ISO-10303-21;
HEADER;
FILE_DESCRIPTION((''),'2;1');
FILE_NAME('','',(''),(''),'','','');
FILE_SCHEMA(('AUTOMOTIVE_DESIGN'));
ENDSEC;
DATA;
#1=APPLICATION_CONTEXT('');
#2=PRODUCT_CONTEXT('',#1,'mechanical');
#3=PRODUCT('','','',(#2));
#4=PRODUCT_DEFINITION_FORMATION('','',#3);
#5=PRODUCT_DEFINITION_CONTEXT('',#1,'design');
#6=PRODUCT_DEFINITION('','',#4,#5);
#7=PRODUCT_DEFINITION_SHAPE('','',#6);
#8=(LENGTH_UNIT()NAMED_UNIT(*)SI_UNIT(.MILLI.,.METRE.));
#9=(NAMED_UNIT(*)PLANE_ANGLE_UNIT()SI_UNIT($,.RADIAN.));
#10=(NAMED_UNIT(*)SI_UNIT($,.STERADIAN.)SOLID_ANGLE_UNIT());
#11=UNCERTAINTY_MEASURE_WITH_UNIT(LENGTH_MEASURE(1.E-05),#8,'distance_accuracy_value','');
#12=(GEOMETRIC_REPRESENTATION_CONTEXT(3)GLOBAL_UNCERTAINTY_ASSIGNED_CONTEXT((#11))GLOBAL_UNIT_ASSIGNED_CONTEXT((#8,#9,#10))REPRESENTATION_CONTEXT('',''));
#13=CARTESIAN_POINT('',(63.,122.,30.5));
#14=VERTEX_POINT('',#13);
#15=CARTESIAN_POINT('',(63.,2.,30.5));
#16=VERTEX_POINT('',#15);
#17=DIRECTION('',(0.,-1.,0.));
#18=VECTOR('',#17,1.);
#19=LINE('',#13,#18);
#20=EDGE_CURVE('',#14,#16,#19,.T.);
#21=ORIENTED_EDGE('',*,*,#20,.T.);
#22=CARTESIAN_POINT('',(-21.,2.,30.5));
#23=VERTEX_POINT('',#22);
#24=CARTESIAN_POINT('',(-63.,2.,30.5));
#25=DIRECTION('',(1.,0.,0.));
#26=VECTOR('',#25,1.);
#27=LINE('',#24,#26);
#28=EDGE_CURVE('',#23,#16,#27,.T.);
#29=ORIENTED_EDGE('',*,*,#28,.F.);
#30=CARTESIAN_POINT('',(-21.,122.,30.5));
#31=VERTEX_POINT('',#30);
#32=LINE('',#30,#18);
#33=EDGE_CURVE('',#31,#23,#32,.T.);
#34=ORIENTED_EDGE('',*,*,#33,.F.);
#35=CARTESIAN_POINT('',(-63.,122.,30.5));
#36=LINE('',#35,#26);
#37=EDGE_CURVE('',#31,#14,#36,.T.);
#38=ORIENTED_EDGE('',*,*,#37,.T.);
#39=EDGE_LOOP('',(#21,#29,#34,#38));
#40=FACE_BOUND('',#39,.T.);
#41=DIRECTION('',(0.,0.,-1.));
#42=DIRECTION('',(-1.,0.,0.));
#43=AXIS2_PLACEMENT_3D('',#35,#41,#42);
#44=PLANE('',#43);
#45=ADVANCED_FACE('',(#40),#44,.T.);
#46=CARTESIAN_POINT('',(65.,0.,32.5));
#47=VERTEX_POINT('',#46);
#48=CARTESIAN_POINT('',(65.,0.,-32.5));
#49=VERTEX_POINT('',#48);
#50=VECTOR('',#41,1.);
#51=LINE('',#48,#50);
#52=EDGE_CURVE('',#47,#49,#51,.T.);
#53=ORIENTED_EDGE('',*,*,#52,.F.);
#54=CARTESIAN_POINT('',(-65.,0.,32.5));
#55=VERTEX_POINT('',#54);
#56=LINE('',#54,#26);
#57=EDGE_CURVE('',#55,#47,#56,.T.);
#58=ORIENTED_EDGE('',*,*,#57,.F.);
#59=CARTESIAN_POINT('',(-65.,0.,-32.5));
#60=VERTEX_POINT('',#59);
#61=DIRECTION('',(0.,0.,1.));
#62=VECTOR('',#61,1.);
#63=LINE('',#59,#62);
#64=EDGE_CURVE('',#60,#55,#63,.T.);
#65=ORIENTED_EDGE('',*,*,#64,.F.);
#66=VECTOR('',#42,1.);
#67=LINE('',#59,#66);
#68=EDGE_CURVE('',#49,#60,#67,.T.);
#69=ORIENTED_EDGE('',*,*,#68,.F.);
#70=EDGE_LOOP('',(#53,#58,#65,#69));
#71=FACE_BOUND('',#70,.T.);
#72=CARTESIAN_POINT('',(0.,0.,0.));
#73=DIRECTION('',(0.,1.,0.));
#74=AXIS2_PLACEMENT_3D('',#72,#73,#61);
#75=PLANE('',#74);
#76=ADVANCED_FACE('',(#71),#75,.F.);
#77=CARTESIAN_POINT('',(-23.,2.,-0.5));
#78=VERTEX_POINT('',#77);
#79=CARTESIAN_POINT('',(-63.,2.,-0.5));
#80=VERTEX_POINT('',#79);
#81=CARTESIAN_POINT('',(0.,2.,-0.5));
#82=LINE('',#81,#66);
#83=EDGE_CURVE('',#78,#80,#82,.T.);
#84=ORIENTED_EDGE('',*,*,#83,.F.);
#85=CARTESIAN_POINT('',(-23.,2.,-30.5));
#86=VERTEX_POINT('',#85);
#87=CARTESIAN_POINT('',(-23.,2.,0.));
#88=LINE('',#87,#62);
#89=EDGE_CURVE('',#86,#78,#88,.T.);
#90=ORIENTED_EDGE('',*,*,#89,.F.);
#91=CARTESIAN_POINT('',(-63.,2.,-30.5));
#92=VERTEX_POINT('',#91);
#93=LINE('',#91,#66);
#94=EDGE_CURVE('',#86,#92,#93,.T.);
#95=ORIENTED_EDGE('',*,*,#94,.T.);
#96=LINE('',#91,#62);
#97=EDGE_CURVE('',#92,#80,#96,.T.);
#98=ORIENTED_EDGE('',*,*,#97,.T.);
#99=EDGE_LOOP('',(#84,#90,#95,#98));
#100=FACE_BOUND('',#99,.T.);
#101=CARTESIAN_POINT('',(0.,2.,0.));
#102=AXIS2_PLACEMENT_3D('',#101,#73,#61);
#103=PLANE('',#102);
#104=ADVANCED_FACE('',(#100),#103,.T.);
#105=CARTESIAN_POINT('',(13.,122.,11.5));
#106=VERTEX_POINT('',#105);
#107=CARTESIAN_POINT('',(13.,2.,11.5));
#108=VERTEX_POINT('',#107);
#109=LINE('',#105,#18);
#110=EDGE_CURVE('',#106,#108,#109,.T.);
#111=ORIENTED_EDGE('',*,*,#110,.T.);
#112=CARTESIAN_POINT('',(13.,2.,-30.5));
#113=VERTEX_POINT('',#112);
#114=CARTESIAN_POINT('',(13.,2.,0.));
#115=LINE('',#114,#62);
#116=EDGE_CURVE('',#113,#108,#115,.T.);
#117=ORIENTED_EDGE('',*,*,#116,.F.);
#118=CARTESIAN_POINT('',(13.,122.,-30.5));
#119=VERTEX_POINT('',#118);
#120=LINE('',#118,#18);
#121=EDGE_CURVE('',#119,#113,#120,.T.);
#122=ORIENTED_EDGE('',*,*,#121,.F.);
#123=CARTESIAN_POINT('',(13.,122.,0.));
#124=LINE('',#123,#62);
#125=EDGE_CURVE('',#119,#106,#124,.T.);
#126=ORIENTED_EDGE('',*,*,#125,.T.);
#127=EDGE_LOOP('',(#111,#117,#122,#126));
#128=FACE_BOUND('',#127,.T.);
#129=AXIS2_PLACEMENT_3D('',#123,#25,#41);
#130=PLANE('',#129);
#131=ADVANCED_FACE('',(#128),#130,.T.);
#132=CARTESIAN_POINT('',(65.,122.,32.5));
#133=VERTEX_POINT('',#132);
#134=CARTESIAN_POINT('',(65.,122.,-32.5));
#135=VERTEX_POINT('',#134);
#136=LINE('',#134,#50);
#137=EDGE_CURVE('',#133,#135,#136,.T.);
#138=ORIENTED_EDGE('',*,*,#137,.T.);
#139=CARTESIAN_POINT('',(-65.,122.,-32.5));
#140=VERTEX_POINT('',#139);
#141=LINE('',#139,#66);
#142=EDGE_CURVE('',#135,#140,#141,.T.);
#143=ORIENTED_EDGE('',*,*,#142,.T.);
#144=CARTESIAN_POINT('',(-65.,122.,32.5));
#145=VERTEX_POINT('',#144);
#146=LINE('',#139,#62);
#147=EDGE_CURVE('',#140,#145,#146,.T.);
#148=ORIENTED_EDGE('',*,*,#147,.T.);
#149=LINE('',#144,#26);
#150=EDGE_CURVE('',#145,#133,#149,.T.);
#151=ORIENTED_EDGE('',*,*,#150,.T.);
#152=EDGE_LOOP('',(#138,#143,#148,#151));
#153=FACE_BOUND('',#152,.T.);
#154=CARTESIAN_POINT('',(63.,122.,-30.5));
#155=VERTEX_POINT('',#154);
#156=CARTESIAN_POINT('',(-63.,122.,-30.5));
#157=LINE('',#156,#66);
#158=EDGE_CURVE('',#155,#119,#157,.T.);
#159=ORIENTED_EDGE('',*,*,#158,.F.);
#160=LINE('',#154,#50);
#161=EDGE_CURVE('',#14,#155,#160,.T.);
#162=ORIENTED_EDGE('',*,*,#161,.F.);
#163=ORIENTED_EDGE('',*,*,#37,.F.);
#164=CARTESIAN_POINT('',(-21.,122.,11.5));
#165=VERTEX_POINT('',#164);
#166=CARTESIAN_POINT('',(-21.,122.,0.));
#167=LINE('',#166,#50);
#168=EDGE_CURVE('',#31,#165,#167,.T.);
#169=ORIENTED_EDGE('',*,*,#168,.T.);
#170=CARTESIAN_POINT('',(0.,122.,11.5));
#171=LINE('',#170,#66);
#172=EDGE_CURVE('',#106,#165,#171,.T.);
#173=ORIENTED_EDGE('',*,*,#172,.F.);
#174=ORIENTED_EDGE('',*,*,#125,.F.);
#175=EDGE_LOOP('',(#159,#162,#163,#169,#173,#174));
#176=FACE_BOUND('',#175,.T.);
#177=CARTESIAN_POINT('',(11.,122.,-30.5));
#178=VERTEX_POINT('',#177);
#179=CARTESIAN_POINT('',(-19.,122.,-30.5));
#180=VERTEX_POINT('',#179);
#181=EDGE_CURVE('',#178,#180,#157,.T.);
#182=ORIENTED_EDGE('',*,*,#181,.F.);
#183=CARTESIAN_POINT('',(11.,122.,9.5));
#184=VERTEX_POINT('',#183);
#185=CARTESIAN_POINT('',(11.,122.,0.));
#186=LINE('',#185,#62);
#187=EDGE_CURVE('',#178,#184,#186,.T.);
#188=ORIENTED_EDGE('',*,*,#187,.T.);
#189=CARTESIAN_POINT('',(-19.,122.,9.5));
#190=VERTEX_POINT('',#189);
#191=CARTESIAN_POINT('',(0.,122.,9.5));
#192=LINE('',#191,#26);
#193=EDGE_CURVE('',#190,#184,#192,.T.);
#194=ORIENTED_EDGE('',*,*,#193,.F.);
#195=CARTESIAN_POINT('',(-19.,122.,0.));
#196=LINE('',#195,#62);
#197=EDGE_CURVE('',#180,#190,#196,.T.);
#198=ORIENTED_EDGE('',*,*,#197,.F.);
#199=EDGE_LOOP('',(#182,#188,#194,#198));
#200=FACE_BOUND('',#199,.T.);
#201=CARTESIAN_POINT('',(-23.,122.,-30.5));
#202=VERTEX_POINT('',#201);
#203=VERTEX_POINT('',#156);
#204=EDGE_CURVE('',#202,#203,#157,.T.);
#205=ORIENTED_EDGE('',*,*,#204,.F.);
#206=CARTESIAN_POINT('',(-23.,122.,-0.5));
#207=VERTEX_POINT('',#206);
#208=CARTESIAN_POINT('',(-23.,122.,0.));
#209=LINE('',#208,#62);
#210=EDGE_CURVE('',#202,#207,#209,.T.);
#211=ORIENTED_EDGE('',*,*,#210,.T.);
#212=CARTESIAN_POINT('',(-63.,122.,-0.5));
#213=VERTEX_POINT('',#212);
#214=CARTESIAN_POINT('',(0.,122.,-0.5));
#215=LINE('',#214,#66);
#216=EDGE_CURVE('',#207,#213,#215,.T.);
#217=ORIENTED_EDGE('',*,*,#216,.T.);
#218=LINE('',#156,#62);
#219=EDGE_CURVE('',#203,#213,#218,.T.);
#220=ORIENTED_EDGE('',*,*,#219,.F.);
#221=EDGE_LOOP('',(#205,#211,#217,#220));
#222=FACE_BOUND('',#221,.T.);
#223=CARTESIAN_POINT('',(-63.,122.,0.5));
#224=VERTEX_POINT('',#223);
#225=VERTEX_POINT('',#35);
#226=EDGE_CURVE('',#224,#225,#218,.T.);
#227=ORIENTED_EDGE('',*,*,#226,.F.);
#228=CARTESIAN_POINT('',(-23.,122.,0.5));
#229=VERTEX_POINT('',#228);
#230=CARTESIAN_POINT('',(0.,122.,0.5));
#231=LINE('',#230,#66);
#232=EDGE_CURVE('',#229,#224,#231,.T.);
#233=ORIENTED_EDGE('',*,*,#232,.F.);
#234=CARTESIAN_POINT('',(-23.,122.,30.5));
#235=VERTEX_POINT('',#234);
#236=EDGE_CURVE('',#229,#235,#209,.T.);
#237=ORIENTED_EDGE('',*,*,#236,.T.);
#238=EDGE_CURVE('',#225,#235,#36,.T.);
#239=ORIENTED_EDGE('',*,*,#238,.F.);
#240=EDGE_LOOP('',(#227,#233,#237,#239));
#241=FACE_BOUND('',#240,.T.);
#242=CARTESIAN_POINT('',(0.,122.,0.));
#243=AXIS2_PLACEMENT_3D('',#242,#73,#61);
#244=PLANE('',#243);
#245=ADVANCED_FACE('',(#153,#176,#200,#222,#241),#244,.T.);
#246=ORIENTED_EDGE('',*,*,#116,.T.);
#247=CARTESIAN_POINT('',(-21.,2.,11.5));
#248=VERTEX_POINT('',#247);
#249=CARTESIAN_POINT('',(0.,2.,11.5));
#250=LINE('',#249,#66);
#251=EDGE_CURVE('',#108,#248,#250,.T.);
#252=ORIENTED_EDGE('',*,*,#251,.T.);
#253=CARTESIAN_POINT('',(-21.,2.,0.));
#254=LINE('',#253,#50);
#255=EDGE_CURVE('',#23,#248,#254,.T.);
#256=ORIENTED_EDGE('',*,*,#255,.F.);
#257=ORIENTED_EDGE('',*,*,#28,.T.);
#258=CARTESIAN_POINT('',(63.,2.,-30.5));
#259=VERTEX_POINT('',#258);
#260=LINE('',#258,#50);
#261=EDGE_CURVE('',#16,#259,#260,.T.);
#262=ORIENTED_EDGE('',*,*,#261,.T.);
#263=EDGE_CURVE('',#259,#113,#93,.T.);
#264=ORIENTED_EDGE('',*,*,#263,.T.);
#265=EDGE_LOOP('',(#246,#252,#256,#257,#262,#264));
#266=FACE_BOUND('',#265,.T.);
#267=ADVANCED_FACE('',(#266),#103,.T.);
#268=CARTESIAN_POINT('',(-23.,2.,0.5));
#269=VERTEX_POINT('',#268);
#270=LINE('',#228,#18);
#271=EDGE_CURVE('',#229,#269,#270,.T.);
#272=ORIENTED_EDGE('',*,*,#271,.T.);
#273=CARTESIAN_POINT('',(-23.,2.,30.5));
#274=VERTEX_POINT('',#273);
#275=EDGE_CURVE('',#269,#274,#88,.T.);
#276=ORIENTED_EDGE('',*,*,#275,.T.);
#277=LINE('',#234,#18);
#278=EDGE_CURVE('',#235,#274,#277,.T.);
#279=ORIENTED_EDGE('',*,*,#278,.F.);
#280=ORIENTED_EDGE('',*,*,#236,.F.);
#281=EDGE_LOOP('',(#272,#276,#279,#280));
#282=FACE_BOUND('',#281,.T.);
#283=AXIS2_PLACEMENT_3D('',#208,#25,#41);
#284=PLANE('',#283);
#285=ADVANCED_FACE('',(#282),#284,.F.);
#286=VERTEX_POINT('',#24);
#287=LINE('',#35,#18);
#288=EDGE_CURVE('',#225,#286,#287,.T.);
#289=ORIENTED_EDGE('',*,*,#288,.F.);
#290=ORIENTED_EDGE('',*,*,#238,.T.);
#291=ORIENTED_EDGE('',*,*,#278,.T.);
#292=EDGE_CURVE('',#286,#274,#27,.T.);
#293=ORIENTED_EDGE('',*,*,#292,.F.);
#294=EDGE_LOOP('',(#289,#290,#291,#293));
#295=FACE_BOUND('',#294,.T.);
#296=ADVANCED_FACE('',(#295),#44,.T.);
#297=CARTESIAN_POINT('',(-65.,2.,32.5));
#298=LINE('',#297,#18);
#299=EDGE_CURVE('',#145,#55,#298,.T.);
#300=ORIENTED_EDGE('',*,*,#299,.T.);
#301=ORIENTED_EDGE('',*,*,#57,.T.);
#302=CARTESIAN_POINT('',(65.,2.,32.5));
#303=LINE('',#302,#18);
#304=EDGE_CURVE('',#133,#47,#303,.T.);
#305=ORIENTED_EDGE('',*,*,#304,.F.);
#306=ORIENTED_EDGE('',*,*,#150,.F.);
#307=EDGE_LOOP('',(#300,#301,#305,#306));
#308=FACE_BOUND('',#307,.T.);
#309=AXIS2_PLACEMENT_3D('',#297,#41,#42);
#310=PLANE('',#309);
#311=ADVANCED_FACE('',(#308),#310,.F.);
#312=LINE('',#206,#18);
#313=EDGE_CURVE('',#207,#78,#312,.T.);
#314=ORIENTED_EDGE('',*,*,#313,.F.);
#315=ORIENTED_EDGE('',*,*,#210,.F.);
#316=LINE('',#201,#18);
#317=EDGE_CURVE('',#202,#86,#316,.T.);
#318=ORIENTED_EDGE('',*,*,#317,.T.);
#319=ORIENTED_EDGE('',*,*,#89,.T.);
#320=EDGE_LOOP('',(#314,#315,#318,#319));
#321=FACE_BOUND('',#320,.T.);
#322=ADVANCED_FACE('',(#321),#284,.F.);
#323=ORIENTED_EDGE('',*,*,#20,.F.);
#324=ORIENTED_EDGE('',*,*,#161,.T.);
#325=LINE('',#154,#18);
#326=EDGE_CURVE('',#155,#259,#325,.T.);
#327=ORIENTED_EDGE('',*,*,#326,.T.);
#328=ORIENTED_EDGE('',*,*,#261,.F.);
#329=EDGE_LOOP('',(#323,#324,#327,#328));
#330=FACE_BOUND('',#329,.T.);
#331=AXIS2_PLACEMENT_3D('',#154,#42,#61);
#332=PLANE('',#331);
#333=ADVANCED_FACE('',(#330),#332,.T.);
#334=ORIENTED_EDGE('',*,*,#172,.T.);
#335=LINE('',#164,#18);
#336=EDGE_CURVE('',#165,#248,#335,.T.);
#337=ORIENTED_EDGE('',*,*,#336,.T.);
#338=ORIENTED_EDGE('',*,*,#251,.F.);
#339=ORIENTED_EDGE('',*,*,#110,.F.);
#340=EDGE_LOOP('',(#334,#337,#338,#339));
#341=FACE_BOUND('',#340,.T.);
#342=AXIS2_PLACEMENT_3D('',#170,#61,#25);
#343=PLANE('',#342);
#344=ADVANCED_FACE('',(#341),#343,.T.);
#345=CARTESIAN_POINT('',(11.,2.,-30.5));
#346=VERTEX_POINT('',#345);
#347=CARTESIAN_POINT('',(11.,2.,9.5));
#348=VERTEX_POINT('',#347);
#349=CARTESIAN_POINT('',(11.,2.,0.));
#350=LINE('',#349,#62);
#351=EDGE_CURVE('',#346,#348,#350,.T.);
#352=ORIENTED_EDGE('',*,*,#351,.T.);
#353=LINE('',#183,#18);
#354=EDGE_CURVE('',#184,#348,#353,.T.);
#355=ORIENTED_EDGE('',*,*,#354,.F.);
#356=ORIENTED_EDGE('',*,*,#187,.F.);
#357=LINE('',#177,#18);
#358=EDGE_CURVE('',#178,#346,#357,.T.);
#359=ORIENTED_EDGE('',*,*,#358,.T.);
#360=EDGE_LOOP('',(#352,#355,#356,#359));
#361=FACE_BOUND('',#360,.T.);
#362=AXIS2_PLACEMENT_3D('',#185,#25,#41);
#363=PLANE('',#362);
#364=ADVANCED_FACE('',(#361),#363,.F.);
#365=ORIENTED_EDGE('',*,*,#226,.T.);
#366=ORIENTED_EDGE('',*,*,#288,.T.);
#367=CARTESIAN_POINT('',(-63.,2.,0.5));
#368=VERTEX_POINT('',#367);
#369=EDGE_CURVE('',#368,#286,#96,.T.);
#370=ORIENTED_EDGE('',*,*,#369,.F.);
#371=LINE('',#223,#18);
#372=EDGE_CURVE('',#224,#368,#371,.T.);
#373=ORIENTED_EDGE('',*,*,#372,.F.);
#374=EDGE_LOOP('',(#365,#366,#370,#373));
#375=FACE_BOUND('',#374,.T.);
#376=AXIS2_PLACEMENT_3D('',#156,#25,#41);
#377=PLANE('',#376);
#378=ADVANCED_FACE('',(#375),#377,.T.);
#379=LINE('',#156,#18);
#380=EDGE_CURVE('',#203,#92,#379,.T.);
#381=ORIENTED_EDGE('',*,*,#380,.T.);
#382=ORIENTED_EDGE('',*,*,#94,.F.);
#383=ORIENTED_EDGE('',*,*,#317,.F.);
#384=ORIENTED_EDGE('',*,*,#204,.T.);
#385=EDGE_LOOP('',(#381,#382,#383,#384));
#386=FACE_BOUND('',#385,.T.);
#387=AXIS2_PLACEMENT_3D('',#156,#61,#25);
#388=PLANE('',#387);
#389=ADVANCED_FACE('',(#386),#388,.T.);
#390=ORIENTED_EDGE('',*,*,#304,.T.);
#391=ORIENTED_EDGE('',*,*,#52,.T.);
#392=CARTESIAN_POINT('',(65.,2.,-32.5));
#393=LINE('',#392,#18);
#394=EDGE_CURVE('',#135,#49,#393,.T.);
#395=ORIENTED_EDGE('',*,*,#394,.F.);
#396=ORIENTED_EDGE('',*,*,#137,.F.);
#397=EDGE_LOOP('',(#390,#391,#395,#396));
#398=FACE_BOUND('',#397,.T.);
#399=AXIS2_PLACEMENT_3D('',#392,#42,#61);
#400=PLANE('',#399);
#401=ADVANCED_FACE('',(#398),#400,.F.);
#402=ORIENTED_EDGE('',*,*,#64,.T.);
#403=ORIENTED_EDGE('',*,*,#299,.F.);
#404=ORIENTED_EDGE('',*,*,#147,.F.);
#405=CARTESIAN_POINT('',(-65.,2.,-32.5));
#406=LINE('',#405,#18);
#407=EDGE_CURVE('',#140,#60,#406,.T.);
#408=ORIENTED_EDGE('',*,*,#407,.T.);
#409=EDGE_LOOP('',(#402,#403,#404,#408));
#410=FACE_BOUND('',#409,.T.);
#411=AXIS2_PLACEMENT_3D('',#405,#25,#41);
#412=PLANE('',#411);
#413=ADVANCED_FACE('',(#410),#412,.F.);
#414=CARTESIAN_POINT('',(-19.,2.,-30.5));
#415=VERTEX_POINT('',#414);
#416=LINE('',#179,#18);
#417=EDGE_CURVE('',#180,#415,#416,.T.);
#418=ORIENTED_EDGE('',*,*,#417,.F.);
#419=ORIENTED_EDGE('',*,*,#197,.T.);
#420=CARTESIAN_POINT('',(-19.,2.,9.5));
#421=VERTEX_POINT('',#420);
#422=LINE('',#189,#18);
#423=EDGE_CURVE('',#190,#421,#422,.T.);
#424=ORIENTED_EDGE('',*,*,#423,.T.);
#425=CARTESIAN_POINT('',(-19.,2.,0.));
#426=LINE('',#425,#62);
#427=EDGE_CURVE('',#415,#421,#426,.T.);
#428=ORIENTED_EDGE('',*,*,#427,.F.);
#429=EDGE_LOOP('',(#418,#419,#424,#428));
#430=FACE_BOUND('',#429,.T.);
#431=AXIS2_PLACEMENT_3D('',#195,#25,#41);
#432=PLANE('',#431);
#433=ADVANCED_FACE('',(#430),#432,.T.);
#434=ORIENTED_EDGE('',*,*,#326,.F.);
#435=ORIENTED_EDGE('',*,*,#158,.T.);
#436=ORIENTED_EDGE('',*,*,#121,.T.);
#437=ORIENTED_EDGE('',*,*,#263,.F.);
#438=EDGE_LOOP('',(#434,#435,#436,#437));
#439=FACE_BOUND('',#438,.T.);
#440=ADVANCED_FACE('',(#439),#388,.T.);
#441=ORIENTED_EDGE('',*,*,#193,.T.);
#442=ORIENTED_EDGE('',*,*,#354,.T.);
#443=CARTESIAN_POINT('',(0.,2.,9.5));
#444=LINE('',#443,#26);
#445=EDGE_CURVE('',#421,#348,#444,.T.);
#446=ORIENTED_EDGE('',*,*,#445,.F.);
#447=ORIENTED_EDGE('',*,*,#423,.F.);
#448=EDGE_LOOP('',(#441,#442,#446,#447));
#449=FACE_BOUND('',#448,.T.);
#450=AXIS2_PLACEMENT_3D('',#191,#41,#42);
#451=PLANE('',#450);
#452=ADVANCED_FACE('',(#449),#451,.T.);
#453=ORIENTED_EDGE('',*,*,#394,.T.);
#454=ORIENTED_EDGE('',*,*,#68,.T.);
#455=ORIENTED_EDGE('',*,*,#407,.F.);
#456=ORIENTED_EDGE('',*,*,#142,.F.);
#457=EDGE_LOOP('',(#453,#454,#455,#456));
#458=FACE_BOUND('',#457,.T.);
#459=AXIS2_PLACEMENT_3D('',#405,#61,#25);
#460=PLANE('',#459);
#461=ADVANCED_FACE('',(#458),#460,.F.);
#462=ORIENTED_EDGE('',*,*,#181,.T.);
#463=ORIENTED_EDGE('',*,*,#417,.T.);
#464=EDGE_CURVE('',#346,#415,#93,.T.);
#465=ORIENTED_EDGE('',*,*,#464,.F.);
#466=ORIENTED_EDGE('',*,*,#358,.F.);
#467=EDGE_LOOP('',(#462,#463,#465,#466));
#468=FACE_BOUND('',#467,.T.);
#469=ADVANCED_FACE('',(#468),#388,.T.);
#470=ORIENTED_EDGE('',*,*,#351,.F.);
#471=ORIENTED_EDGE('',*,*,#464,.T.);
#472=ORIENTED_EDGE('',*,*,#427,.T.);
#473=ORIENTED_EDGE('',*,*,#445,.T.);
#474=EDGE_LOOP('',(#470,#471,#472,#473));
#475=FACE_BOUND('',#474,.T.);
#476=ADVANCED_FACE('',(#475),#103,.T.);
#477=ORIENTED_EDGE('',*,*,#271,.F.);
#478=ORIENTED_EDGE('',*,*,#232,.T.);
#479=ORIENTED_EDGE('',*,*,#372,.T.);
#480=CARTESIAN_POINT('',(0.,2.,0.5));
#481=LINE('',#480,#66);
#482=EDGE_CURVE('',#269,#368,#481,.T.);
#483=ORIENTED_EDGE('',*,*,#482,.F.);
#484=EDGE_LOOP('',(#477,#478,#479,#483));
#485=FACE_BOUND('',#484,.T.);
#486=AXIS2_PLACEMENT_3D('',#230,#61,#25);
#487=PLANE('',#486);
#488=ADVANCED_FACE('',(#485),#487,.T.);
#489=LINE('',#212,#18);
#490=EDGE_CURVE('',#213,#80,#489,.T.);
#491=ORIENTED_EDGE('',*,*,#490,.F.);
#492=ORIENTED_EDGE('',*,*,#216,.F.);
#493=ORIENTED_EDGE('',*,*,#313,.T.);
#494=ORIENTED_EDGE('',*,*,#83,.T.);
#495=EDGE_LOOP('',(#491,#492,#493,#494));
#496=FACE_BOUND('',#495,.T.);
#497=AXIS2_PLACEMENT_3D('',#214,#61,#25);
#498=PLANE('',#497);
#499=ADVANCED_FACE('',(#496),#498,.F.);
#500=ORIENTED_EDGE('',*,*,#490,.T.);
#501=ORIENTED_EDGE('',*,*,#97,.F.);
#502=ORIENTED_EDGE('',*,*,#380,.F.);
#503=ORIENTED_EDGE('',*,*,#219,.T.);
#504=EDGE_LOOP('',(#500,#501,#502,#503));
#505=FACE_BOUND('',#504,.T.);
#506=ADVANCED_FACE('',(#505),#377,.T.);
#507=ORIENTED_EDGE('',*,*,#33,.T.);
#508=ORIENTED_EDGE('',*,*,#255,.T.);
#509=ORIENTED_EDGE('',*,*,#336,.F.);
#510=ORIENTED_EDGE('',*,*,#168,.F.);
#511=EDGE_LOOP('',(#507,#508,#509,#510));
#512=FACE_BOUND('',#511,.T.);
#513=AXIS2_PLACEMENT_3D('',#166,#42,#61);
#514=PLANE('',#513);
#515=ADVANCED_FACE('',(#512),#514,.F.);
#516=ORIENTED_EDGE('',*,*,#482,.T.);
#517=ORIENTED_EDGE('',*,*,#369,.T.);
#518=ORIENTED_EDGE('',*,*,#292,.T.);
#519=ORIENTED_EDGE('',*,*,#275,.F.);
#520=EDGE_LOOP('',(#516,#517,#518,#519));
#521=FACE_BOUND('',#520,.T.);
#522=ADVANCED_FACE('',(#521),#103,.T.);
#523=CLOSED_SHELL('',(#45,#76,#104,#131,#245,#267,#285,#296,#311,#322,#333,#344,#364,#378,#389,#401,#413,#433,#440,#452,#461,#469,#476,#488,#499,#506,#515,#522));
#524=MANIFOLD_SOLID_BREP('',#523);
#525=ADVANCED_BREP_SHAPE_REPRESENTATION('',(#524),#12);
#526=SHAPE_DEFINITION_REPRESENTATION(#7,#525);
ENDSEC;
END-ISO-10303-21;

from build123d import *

# Parameters (mm, degrees)
SKETCH1_W           = 130
SKETCH1_H           = 65
BOSS_EXTRUDE1_DEPTH = 2
SKETCH2_W           = 130
SKETCH2_H           = 65
SKETCH2_W_2         = 126
SKETCH2_H_2         = 61
BOSS_EXTRUDE2_DEPTH = 120
SKETCH4_W           = 40
SKETCH4_H           = 1
SKETCH4_W_2         = 2
SKETCH4_H_2         = 19
SKETCH4_H_3         = 40
BOSS_EXTRUDE3_DEPTH = 120


with BuildPart() as part:
    # Sketch1 → Boss-Extrude1 (new body)
    with BuildSketch(Plane(origin=(0, 0, 0), x_dir=(1, 0, 0), z_dir=(0, 1, 0))):
        Rectangle(SKETCH1_W, SKETCH1_H)
    extrude(amount=BOSS_EXTRUDE1_DEPTH)

    # Sketch2 → Boss-Extrude2 (add)
    with BuildSketch(Plane(origin=(0, 2, 0), x_dir=(1, 0, 0), z_dir=(0, 1, 0))):
        Rectangle(SKETCH2_W, SKETCH2_H)
        Rectangle(SKETCH2_W_2, SKETCH2_H_2, mode=Mode.SUBTRACT)
    extrude(amount=BOSS_EXTRUDE2_DEPTH)

    # Sketch4 → Boss-Extrude3 (add)
    with BuildSketch(Plane(origin=(0, 2, 0), x_dir=(1, 0, 0), z_dir=(0, 1, 0))):
        Polygon((-21, 30.5), (-23, 30.5), (-23, 0.5), (-23, -0.5), (-23, -9.5), (-19, -9.5), (-19, 30.5), align=None)
        with Locations((-43, 0)):
            Rectangle(SKETCH4_W, SKETCH4_H)
        with Locations((-22, -21)):
            Rectangle(SKETCH4_W_2, SKETCH4_H_2)
        Polygon((11, -9.5), (-19, -9.5), (-23, -9.5), (-23, -11.5), (-21, -11.5), (13, -11.5), (13, -9.5), align=None)
        with Locations((12, 10.5)):
            Rectangle(SKETCH4_W_2, SKETCH4_H_3)
    extrude(amount=BOSS_EXTRUDE3_DEPTH)


solid = part.part
